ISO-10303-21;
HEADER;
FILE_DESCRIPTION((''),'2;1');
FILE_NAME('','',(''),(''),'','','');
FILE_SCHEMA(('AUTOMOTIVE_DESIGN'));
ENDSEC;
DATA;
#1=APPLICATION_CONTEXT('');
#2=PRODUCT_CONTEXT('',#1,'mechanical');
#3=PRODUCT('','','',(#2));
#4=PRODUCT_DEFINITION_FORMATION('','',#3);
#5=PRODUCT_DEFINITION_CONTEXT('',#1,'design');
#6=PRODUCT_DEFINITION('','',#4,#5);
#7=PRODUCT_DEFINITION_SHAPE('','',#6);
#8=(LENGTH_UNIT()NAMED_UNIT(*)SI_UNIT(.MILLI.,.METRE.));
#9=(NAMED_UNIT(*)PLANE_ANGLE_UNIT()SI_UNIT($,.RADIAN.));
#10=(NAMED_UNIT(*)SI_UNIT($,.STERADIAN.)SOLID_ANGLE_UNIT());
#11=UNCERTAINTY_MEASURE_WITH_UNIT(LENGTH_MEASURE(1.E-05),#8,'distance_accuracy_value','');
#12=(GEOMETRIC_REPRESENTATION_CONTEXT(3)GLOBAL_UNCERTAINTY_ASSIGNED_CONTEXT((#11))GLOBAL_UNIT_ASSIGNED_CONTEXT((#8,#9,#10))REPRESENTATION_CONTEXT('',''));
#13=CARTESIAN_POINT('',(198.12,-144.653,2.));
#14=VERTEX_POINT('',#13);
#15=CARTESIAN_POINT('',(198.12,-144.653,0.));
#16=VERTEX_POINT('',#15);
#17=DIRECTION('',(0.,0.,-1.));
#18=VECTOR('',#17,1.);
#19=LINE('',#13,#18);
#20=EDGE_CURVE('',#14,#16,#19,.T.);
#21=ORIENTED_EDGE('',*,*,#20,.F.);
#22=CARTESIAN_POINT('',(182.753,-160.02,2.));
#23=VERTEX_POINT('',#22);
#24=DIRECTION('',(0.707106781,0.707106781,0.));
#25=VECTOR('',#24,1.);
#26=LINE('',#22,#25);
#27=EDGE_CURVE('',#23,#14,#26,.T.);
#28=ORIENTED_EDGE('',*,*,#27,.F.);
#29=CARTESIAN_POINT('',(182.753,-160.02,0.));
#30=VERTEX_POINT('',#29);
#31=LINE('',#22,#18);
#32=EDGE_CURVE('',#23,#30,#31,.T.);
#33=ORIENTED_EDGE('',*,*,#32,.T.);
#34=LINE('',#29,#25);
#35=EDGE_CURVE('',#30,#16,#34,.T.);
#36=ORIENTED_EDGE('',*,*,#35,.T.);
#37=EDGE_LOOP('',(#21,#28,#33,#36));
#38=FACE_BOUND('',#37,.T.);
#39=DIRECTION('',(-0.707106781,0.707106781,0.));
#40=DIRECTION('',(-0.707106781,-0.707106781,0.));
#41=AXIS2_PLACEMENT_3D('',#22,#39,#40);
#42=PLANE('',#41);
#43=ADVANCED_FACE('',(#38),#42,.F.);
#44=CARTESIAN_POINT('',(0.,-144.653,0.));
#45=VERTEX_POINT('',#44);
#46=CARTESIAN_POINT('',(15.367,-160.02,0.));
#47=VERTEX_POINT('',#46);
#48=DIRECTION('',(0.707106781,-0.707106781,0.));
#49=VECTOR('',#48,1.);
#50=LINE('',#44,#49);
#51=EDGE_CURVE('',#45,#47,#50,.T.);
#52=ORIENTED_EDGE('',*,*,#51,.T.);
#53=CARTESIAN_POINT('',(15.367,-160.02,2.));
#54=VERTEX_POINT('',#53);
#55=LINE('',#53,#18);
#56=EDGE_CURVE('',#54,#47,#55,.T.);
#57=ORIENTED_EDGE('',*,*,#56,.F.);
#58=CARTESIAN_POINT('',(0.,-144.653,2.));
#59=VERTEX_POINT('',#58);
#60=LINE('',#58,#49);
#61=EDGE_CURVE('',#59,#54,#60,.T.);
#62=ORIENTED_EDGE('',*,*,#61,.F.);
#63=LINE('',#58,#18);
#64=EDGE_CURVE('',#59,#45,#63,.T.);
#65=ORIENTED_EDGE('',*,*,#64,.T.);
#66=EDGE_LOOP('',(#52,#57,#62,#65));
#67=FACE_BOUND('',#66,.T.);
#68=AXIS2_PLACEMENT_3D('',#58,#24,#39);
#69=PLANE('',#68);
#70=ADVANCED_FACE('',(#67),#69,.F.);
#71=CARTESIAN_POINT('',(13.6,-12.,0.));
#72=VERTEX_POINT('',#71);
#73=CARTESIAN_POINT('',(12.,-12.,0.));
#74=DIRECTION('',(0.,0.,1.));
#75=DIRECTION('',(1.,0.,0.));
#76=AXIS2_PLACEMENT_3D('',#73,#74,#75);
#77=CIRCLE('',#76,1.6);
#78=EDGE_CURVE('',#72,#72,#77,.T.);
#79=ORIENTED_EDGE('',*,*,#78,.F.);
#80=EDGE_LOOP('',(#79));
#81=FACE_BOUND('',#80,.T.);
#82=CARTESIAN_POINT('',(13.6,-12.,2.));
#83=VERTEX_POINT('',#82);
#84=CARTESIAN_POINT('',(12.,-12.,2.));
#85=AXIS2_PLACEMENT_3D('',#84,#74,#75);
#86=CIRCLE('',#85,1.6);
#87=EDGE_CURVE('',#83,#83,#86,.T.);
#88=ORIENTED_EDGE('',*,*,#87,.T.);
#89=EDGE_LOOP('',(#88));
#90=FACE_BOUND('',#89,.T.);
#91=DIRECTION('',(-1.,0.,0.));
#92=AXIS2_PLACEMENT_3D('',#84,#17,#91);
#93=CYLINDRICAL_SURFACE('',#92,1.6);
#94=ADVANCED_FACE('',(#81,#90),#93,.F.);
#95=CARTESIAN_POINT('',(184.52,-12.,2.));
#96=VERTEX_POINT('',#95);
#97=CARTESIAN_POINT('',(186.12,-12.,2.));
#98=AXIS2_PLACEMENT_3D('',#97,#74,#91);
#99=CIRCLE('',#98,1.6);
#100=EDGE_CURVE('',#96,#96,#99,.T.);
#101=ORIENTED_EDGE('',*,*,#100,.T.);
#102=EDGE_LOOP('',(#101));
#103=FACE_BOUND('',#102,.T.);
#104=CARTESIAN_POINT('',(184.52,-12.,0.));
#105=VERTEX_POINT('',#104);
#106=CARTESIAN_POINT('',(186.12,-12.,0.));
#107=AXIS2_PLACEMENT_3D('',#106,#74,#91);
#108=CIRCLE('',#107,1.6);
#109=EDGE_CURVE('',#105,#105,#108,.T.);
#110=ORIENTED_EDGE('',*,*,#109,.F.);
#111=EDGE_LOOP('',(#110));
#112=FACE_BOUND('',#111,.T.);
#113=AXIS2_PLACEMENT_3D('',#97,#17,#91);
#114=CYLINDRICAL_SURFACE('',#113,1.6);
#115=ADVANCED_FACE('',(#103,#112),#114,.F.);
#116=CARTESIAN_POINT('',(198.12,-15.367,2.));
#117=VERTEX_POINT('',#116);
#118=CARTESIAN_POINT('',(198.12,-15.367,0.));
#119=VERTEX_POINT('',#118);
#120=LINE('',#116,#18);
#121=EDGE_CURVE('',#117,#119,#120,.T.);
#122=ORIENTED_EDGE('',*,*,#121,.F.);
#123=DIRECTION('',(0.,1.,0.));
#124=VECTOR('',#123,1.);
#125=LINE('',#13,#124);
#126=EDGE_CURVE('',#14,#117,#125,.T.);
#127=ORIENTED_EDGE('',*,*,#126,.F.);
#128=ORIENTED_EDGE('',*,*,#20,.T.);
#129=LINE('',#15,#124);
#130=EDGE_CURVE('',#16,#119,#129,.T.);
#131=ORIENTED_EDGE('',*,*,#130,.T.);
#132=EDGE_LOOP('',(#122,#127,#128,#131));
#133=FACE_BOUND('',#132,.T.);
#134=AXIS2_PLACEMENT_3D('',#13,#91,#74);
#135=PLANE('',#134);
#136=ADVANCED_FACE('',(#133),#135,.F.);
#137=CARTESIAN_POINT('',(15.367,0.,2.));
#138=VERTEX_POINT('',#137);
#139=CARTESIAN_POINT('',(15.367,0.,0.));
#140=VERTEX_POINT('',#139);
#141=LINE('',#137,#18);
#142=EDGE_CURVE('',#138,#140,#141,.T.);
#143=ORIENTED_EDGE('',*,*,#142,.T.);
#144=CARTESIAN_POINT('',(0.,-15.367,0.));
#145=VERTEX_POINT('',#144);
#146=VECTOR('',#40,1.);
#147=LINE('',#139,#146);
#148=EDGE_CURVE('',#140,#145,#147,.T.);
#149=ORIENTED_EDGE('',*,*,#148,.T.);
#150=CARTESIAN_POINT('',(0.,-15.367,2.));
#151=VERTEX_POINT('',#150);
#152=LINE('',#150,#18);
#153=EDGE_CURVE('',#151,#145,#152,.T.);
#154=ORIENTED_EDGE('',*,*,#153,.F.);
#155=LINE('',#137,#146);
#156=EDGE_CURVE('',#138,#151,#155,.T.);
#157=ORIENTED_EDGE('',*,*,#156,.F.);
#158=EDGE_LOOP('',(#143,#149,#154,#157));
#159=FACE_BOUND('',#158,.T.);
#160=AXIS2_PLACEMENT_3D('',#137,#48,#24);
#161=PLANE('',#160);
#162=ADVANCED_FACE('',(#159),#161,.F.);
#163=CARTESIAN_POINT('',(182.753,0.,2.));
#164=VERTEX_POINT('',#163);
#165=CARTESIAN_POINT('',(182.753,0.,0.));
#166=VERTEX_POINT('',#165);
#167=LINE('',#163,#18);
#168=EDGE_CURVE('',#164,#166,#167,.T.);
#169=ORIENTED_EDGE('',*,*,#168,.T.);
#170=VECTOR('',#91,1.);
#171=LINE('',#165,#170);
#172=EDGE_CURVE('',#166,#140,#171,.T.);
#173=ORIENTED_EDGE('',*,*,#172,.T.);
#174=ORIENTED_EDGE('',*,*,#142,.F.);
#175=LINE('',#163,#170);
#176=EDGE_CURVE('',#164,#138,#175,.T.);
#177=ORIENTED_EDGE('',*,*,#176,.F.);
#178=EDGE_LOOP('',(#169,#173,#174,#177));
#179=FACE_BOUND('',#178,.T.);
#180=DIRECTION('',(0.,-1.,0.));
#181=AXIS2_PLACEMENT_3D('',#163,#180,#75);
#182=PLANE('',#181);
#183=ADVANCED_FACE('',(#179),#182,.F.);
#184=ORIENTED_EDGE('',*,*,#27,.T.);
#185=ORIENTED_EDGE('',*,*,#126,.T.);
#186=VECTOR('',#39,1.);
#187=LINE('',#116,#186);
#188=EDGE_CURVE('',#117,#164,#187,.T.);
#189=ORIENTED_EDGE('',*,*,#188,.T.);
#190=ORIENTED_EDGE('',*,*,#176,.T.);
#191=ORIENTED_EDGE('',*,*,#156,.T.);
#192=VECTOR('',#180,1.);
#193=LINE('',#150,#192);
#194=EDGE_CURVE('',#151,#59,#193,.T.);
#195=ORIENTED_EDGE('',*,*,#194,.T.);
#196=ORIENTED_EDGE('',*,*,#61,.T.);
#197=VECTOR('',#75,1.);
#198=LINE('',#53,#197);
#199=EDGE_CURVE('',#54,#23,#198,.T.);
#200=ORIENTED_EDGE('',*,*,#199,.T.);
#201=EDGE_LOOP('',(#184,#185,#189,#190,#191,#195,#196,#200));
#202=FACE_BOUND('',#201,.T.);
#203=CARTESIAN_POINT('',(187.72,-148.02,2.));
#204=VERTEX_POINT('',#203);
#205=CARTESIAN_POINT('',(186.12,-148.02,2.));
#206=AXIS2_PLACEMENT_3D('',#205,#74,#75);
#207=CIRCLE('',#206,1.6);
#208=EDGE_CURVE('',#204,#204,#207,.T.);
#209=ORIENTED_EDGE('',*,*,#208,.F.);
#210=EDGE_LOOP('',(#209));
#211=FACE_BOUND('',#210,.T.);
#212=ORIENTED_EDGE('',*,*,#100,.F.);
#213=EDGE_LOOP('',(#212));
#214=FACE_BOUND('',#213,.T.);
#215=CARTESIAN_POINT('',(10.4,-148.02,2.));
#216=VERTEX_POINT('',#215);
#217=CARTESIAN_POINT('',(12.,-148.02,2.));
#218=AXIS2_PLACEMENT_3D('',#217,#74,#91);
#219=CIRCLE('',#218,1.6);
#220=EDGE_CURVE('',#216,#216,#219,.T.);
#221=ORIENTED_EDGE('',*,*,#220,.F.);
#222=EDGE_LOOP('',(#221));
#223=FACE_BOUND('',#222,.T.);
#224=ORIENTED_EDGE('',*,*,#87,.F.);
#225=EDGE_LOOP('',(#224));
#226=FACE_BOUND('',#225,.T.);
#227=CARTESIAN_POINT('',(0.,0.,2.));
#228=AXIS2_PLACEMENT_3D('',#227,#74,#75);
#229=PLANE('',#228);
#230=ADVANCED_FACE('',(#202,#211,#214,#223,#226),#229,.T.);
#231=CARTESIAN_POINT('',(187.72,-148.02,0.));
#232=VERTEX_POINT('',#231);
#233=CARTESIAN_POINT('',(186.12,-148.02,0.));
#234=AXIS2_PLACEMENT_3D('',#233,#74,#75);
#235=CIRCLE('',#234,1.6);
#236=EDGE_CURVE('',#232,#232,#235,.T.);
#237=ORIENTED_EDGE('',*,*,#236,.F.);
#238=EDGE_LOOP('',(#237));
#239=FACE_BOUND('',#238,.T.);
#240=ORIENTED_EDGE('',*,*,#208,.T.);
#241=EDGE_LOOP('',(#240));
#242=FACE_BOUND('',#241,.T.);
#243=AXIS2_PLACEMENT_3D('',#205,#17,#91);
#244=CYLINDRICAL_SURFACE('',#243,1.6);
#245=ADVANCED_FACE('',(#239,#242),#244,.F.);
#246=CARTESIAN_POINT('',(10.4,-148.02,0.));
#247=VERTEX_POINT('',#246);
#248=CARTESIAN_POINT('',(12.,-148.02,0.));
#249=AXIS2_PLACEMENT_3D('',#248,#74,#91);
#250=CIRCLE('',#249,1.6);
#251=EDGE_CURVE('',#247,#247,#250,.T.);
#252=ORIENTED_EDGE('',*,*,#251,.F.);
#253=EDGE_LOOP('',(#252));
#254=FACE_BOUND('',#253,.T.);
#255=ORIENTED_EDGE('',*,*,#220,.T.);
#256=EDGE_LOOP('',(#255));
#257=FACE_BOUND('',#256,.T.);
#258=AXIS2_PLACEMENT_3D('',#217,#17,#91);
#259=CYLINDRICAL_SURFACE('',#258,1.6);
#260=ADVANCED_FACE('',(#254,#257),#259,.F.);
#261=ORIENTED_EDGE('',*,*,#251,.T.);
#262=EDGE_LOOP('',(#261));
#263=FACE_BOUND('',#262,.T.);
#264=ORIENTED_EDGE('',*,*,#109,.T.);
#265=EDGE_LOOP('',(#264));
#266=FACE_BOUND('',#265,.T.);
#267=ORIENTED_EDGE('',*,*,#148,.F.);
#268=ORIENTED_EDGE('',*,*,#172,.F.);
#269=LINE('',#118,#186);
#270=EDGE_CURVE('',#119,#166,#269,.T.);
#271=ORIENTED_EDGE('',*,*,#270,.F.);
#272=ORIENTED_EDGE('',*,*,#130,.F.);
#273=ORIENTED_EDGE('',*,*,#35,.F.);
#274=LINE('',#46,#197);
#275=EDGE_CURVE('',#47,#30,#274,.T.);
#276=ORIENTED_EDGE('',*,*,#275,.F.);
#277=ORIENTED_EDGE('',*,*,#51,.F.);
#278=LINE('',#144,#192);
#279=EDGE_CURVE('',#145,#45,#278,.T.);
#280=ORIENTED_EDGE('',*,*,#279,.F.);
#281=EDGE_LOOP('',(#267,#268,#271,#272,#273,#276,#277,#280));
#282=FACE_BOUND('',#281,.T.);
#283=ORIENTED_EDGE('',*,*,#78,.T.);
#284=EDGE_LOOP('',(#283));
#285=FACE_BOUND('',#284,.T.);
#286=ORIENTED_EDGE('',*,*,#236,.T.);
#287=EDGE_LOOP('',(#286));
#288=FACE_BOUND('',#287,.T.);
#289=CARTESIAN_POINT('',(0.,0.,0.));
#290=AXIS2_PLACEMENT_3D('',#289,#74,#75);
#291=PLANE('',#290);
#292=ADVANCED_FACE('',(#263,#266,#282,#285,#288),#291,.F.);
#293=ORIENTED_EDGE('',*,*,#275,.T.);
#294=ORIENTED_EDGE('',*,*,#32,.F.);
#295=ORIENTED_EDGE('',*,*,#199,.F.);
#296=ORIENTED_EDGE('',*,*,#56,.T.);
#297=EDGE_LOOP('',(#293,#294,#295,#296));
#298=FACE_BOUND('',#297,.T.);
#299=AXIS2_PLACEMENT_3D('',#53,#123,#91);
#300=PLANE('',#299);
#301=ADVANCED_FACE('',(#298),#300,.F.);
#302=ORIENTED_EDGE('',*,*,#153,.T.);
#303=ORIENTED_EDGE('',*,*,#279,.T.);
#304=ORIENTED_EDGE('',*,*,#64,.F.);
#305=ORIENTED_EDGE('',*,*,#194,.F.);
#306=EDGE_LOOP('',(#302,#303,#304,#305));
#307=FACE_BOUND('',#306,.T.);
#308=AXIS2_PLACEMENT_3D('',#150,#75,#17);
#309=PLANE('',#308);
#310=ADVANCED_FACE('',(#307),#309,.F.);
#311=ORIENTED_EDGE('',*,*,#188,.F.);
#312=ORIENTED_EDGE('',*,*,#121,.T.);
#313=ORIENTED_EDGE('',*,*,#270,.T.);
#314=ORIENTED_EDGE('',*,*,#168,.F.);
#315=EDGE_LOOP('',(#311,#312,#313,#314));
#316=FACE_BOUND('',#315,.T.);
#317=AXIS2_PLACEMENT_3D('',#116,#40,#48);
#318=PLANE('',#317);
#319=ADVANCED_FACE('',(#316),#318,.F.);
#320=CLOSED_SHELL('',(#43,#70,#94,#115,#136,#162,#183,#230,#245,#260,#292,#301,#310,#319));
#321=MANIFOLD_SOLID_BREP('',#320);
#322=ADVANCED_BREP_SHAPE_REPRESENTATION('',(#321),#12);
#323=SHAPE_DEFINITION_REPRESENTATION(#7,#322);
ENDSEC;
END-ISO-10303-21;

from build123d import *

# Parameters (mm, degrees)
ESQUISSE1_R        = 1.6
BOSS_EXTRU_1_DEPTH = 2


with BuildPart() as part:
    # Esquisse1 → Boss.-Extru.1 (new body)
    with BuildSketch(Plane.XY):
        Polygon((15.367, 0), (0, -15.367), (0, -144.653), (15.367, -160.02), (182.753, -160.02), (198.12, -144.653), (198.12, -15.367), (182.753, 0), align=None)
        with Locations((12, -12)):
            Circle(ESQUISSE1_R, mode=Mode.SUBTRACT)
        with Locations((12, -148.02)):
            Circle(ESQUISSE1_R, mode=Mode.SUBTRACT)
        with Locations((186.12, -12)):
            Circle(ESQUISSE1_R, mode=Mode.SUBTRACT)
        with Locations((186.12, -148.02)):
            Circle(ESQUISSE1_R, mode=Mode.SUBTRACT)
    extrude(amount=BOSS_EXTRU_1_DEPTH)


solid = part.part
